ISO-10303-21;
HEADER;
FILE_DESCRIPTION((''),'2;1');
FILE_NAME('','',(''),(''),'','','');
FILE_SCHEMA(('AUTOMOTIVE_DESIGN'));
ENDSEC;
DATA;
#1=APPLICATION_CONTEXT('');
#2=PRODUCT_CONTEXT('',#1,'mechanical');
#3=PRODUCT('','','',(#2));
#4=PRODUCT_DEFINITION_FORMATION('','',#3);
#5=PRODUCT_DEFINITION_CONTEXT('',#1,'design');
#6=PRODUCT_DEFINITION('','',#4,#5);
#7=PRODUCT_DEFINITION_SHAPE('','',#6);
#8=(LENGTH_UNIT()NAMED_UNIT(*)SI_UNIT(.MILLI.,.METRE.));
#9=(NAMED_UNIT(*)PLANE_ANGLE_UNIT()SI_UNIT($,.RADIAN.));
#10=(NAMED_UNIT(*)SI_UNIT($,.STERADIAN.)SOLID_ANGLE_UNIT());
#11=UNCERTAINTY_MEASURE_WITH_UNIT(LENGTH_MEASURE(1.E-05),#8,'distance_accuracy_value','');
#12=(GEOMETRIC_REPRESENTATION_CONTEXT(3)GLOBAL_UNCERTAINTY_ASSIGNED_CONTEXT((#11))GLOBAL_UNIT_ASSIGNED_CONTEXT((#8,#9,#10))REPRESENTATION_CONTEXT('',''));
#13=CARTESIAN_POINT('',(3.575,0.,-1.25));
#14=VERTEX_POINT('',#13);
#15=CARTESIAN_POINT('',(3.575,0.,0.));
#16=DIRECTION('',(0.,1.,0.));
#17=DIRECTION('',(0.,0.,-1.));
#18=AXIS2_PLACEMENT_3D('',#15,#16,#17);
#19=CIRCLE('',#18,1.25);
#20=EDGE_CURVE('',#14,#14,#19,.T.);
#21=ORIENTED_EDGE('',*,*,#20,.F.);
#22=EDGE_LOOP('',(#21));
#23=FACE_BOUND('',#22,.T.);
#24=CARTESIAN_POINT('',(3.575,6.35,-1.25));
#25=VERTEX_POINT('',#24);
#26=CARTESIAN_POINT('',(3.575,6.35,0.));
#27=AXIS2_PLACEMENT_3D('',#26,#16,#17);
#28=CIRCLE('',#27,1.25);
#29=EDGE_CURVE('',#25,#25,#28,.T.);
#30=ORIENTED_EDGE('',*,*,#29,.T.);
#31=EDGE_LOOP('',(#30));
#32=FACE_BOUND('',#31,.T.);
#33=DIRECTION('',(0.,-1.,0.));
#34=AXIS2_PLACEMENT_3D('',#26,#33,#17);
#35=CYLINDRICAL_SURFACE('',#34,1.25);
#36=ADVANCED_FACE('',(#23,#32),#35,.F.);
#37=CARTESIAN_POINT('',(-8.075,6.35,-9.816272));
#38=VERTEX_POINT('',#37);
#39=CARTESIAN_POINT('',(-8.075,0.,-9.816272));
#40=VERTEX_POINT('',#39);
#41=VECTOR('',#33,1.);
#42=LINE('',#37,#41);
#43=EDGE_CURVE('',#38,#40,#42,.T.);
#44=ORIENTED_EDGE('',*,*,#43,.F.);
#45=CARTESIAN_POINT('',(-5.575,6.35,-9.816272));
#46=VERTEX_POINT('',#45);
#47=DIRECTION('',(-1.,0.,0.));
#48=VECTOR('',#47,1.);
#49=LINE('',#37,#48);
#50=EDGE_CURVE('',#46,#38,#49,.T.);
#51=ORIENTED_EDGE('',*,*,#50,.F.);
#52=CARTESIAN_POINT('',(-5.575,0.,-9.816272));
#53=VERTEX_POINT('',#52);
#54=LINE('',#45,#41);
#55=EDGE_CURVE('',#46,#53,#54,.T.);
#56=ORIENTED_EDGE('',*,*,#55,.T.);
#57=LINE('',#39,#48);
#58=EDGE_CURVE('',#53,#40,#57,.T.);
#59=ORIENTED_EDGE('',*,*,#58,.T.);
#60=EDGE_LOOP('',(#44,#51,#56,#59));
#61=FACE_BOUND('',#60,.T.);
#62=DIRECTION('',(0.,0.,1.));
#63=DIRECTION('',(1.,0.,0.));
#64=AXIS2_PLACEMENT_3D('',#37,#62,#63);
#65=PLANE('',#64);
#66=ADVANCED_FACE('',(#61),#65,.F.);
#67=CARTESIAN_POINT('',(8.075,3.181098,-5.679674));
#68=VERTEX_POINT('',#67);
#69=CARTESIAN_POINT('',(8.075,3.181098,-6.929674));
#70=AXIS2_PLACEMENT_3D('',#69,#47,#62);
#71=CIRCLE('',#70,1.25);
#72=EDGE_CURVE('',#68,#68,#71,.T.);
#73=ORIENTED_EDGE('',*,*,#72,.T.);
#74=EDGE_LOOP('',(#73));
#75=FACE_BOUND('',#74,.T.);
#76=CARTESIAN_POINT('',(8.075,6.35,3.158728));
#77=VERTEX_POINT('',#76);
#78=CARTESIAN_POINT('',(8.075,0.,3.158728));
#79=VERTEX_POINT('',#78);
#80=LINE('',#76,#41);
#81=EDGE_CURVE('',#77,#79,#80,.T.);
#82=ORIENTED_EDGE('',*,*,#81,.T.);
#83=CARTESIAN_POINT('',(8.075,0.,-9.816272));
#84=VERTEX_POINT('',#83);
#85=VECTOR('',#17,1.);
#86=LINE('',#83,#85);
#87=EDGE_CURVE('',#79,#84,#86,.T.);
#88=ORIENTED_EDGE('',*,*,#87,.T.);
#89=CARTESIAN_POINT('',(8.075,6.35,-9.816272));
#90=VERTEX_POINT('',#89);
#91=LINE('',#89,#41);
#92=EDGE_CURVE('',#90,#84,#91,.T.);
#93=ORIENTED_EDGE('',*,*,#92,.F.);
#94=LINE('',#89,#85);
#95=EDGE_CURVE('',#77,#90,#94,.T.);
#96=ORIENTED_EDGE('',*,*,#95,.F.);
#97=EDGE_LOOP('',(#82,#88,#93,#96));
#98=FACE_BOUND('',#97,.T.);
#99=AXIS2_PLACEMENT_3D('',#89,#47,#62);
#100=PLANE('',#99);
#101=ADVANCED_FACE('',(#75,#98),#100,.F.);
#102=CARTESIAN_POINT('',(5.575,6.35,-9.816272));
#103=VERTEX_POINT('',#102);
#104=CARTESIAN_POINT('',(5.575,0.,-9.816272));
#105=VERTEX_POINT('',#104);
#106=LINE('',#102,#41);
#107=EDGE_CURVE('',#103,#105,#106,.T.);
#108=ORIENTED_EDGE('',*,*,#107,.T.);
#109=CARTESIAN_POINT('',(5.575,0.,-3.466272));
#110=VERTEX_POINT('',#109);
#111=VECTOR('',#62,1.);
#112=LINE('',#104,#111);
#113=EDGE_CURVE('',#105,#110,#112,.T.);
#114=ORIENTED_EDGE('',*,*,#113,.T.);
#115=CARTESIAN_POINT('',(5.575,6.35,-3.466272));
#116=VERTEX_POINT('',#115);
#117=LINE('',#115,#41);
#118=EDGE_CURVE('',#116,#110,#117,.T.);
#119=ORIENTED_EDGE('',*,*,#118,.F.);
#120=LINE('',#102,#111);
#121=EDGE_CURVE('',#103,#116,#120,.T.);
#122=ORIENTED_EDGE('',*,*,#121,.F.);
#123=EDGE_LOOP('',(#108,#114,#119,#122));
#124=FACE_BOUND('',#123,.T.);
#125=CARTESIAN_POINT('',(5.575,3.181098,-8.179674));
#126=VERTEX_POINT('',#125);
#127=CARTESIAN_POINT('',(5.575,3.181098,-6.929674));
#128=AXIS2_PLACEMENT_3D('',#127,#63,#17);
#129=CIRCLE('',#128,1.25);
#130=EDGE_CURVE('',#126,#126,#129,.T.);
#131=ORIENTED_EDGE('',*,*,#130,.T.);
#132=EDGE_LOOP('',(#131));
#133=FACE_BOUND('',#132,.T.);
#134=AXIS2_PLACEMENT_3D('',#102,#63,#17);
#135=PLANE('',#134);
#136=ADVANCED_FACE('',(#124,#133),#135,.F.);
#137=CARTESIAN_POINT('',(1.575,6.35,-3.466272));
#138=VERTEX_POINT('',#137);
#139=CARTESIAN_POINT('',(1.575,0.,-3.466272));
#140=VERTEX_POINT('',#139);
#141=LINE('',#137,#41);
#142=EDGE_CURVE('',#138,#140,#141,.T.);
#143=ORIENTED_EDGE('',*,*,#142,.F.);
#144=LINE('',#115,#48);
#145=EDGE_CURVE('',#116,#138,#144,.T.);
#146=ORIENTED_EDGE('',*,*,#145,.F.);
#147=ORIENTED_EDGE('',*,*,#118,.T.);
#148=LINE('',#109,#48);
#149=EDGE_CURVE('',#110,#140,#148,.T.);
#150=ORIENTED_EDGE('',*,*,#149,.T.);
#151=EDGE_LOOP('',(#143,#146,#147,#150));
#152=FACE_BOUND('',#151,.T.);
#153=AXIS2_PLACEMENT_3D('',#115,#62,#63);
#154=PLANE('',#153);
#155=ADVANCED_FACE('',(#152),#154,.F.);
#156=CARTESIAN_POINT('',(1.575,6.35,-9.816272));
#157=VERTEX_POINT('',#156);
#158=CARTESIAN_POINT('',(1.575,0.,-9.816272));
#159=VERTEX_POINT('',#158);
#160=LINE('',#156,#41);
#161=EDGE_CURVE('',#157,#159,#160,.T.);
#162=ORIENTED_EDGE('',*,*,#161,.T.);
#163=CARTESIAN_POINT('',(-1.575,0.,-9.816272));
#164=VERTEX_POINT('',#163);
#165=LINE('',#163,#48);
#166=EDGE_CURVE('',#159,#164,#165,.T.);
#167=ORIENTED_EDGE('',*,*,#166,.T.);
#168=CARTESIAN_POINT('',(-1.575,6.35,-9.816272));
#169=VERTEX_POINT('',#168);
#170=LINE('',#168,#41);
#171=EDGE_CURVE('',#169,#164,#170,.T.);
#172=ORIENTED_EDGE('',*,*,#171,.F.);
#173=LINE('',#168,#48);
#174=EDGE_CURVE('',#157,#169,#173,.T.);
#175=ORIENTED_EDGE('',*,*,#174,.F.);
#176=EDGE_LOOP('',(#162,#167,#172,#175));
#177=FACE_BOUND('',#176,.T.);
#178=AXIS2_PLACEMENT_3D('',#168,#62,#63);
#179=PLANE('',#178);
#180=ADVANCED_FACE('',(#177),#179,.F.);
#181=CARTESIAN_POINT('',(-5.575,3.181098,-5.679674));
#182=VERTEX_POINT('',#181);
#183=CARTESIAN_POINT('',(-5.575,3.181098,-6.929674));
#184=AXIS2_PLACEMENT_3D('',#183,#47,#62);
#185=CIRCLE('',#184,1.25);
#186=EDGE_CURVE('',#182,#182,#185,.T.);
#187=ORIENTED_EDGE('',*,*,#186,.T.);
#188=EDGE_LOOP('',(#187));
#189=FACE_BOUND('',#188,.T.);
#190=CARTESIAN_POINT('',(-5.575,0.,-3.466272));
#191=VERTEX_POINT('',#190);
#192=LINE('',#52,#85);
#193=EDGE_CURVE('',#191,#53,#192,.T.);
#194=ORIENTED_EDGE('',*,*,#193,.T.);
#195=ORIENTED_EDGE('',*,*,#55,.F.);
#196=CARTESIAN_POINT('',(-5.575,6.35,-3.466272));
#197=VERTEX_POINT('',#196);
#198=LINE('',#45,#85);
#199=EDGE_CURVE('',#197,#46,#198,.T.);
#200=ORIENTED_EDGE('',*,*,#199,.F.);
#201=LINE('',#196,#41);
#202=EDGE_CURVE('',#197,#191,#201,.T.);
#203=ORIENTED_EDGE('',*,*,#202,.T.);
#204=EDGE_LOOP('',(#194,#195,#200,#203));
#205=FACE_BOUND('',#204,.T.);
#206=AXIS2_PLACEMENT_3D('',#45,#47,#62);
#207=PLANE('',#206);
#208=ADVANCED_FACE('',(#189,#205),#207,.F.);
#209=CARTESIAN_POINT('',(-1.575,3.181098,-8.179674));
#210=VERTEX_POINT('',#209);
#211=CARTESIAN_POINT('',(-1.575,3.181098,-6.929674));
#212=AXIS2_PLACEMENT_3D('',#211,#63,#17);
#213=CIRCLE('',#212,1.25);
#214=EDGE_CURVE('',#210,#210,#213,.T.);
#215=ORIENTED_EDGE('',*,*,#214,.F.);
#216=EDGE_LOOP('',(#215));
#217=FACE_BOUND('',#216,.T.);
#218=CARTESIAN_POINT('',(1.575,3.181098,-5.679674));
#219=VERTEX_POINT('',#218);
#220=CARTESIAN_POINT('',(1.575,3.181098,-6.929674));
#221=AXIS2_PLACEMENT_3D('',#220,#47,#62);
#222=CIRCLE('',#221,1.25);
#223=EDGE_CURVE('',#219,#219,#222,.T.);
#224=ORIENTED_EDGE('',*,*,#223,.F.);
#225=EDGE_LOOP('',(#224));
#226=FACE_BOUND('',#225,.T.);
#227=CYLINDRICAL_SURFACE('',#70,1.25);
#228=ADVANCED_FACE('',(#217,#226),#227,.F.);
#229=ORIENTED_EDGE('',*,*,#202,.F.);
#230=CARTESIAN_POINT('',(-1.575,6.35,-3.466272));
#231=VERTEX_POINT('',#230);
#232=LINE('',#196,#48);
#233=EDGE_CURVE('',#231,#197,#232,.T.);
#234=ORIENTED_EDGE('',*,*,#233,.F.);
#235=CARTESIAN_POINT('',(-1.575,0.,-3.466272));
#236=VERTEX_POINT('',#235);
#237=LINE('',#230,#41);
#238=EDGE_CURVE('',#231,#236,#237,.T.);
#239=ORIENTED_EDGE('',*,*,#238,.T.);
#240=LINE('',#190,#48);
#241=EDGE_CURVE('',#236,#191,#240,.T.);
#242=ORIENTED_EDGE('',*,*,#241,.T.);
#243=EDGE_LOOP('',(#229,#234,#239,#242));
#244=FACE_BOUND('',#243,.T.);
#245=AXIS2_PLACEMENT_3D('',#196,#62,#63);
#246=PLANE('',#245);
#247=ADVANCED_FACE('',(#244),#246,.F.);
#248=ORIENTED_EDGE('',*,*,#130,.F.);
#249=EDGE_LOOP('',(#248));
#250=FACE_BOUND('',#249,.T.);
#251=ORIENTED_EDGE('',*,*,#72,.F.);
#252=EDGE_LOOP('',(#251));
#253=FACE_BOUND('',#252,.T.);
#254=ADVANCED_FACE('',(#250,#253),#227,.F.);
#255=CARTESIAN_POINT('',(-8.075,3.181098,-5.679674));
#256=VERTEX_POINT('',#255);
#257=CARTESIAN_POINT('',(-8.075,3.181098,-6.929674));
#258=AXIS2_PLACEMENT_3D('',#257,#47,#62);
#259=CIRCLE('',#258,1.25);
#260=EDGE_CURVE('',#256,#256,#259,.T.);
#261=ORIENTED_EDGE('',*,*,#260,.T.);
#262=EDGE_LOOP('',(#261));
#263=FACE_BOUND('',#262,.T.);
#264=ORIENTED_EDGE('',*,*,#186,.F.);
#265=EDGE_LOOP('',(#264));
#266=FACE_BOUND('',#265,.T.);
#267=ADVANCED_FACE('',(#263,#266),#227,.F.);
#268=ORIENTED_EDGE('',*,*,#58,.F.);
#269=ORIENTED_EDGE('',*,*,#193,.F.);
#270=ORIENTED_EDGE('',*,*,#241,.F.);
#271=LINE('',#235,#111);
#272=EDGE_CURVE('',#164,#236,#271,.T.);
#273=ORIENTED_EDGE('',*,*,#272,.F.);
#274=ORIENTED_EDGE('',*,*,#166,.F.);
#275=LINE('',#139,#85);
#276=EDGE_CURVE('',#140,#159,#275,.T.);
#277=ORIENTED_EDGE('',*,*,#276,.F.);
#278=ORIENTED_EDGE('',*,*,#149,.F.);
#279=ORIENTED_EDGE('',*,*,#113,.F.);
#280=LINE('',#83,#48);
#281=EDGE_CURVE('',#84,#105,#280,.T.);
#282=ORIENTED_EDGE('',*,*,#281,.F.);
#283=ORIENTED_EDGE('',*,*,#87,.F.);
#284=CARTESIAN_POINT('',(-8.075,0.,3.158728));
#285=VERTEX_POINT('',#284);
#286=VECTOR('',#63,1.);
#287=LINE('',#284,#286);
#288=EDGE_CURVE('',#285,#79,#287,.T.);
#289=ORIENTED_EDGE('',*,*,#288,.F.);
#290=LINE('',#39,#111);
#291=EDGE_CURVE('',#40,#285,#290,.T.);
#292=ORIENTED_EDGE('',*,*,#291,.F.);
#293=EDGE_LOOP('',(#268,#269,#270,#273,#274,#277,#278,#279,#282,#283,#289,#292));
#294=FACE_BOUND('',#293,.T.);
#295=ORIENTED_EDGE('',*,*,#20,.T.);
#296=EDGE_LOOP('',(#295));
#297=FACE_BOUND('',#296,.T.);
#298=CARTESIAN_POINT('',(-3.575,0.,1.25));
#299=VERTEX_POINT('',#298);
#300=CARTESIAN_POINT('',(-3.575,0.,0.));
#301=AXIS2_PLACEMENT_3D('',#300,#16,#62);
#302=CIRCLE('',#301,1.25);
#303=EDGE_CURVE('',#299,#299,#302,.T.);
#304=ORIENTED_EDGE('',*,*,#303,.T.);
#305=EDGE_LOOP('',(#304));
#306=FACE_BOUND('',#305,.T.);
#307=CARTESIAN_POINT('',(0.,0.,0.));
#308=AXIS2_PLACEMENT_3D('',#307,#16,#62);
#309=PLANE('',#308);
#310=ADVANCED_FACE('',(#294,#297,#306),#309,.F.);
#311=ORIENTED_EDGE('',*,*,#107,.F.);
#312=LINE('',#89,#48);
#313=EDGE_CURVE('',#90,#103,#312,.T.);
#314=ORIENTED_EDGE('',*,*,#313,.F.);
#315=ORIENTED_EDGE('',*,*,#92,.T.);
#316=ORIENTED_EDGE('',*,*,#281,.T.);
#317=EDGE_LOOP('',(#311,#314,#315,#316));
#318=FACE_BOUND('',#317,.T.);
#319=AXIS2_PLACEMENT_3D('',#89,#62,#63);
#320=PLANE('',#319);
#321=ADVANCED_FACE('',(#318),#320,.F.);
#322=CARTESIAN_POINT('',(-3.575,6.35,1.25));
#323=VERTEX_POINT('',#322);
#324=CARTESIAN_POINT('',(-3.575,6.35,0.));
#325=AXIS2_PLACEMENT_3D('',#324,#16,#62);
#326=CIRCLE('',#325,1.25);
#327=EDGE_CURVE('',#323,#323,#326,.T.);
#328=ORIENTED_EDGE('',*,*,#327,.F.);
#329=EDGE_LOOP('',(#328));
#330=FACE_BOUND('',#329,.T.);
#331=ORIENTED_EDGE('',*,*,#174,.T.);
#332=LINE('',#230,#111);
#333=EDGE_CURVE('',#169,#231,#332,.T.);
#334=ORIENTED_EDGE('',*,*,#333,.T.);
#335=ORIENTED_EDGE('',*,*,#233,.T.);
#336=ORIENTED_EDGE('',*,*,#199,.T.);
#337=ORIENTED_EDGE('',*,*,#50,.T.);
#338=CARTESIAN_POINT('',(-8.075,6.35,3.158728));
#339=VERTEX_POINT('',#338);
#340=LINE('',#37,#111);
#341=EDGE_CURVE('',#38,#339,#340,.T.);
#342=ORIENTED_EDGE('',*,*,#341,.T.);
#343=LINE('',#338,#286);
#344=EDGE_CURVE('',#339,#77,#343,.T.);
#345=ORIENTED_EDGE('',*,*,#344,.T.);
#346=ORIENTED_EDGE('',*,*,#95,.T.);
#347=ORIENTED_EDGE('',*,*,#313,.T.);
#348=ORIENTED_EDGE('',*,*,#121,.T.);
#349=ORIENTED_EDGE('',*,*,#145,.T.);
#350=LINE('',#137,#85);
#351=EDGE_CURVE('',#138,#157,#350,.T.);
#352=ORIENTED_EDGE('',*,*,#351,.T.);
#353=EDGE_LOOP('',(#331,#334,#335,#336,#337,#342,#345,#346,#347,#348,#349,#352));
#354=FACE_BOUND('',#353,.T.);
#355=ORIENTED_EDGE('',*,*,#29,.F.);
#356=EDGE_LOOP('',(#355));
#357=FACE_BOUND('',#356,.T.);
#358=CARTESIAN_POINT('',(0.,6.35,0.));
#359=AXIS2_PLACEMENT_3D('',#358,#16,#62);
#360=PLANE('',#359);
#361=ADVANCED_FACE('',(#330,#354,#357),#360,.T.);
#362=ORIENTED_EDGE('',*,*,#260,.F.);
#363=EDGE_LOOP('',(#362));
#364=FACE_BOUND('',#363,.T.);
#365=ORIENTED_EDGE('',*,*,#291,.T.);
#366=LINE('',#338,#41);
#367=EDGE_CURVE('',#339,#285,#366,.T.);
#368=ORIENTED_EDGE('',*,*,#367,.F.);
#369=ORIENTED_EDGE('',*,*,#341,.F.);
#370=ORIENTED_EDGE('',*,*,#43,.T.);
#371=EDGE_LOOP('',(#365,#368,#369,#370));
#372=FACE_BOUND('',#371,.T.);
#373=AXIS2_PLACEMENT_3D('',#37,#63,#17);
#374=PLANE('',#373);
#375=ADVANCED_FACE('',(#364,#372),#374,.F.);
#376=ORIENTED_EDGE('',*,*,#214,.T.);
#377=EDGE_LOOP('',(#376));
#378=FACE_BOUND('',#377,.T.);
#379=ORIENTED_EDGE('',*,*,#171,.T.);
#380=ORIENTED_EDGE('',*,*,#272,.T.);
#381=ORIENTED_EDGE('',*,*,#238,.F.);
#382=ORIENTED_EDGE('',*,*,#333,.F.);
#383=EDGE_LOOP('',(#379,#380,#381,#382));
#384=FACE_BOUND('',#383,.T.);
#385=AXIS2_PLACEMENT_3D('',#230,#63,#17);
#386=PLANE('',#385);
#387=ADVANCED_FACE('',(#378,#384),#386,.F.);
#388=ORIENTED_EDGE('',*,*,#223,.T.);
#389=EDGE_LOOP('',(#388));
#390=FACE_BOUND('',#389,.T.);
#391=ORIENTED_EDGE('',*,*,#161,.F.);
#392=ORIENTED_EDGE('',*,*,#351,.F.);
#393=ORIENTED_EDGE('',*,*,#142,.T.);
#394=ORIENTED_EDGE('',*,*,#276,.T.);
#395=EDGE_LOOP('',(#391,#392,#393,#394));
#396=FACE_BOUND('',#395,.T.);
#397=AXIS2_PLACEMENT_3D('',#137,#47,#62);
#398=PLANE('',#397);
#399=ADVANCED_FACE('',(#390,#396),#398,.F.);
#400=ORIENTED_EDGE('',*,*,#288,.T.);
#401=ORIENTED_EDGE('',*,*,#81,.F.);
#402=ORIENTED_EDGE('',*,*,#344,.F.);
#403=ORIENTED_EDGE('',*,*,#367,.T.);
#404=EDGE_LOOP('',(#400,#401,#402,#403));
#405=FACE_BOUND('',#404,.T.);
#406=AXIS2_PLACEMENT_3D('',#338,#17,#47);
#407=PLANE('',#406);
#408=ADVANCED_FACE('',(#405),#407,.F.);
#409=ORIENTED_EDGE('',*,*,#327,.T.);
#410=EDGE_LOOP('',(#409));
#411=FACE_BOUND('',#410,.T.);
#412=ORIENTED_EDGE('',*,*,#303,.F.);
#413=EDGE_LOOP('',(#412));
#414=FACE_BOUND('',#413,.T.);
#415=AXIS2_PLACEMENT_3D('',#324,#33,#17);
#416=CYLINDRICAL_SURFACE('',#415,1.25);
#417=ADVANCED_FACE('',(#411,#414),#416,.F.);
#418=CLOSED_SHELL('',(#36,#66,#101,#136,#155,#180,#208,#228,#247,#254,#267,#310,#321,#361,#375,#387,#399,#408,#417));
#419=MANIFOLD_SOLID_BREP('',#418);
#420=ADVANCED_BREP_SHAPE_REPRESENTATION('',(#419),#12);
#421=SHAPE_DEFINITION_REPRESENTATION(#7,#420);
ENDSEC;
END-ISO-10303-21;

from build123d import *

# Parameters (mm, degrees)
SKETCH2_R           = 1.25
BOSS_EXTRUDE1_DEPTH = 6.35
SKETCH4_R           = 1.25
CUT_EXTRUDE1_DEPTH  = 17.15


with BuildPart() as part:
    # Sketch2 → Boss-Extrude1 (new body)
    with BuildSketch(Plane(origin=(0, 0, 0), x_dir=(1, 0, 0), z_dir=(0, 1, 0))):
        Polygon((-8.075, 9.816272133), (-5.575, 9.816272133), (-5.575, 3.466272133), (-1.575, 3.466272133), (-1.575, 9.816272133), (1.575, 9.816272133), (1.575, 3.466272133), (5.575, 3.466272133), (5.575, 9.816272133), (8.075, 9.816272133), (8.075, -3.158727867), (-8.075, -3.158727867), align=None)
        with Locations((-3.575, 0)):
            Circle(SKETCH2_R, mode=Mode.SUBTRACT)
        with Locations((3.575, 0)):
            Circle(SKETCH2_R, mode=Mode.SUBTRACT)
    extrude(amount=BOSS_EXTRUDE1_DEPTH)

    # Sketch4 → Cut-Extrude1 (cut, through all)
    with BuildSketch(Plane.ZY.offset(8.075)):
        with Locations((-6.929673598, 3.181098015)):
            Circle(SKETCH4_R)
    extrude(amount=-CUT_EXTRUDE1_DEPTH, mode=Mode.SUBTRACT)


solid = part.part
